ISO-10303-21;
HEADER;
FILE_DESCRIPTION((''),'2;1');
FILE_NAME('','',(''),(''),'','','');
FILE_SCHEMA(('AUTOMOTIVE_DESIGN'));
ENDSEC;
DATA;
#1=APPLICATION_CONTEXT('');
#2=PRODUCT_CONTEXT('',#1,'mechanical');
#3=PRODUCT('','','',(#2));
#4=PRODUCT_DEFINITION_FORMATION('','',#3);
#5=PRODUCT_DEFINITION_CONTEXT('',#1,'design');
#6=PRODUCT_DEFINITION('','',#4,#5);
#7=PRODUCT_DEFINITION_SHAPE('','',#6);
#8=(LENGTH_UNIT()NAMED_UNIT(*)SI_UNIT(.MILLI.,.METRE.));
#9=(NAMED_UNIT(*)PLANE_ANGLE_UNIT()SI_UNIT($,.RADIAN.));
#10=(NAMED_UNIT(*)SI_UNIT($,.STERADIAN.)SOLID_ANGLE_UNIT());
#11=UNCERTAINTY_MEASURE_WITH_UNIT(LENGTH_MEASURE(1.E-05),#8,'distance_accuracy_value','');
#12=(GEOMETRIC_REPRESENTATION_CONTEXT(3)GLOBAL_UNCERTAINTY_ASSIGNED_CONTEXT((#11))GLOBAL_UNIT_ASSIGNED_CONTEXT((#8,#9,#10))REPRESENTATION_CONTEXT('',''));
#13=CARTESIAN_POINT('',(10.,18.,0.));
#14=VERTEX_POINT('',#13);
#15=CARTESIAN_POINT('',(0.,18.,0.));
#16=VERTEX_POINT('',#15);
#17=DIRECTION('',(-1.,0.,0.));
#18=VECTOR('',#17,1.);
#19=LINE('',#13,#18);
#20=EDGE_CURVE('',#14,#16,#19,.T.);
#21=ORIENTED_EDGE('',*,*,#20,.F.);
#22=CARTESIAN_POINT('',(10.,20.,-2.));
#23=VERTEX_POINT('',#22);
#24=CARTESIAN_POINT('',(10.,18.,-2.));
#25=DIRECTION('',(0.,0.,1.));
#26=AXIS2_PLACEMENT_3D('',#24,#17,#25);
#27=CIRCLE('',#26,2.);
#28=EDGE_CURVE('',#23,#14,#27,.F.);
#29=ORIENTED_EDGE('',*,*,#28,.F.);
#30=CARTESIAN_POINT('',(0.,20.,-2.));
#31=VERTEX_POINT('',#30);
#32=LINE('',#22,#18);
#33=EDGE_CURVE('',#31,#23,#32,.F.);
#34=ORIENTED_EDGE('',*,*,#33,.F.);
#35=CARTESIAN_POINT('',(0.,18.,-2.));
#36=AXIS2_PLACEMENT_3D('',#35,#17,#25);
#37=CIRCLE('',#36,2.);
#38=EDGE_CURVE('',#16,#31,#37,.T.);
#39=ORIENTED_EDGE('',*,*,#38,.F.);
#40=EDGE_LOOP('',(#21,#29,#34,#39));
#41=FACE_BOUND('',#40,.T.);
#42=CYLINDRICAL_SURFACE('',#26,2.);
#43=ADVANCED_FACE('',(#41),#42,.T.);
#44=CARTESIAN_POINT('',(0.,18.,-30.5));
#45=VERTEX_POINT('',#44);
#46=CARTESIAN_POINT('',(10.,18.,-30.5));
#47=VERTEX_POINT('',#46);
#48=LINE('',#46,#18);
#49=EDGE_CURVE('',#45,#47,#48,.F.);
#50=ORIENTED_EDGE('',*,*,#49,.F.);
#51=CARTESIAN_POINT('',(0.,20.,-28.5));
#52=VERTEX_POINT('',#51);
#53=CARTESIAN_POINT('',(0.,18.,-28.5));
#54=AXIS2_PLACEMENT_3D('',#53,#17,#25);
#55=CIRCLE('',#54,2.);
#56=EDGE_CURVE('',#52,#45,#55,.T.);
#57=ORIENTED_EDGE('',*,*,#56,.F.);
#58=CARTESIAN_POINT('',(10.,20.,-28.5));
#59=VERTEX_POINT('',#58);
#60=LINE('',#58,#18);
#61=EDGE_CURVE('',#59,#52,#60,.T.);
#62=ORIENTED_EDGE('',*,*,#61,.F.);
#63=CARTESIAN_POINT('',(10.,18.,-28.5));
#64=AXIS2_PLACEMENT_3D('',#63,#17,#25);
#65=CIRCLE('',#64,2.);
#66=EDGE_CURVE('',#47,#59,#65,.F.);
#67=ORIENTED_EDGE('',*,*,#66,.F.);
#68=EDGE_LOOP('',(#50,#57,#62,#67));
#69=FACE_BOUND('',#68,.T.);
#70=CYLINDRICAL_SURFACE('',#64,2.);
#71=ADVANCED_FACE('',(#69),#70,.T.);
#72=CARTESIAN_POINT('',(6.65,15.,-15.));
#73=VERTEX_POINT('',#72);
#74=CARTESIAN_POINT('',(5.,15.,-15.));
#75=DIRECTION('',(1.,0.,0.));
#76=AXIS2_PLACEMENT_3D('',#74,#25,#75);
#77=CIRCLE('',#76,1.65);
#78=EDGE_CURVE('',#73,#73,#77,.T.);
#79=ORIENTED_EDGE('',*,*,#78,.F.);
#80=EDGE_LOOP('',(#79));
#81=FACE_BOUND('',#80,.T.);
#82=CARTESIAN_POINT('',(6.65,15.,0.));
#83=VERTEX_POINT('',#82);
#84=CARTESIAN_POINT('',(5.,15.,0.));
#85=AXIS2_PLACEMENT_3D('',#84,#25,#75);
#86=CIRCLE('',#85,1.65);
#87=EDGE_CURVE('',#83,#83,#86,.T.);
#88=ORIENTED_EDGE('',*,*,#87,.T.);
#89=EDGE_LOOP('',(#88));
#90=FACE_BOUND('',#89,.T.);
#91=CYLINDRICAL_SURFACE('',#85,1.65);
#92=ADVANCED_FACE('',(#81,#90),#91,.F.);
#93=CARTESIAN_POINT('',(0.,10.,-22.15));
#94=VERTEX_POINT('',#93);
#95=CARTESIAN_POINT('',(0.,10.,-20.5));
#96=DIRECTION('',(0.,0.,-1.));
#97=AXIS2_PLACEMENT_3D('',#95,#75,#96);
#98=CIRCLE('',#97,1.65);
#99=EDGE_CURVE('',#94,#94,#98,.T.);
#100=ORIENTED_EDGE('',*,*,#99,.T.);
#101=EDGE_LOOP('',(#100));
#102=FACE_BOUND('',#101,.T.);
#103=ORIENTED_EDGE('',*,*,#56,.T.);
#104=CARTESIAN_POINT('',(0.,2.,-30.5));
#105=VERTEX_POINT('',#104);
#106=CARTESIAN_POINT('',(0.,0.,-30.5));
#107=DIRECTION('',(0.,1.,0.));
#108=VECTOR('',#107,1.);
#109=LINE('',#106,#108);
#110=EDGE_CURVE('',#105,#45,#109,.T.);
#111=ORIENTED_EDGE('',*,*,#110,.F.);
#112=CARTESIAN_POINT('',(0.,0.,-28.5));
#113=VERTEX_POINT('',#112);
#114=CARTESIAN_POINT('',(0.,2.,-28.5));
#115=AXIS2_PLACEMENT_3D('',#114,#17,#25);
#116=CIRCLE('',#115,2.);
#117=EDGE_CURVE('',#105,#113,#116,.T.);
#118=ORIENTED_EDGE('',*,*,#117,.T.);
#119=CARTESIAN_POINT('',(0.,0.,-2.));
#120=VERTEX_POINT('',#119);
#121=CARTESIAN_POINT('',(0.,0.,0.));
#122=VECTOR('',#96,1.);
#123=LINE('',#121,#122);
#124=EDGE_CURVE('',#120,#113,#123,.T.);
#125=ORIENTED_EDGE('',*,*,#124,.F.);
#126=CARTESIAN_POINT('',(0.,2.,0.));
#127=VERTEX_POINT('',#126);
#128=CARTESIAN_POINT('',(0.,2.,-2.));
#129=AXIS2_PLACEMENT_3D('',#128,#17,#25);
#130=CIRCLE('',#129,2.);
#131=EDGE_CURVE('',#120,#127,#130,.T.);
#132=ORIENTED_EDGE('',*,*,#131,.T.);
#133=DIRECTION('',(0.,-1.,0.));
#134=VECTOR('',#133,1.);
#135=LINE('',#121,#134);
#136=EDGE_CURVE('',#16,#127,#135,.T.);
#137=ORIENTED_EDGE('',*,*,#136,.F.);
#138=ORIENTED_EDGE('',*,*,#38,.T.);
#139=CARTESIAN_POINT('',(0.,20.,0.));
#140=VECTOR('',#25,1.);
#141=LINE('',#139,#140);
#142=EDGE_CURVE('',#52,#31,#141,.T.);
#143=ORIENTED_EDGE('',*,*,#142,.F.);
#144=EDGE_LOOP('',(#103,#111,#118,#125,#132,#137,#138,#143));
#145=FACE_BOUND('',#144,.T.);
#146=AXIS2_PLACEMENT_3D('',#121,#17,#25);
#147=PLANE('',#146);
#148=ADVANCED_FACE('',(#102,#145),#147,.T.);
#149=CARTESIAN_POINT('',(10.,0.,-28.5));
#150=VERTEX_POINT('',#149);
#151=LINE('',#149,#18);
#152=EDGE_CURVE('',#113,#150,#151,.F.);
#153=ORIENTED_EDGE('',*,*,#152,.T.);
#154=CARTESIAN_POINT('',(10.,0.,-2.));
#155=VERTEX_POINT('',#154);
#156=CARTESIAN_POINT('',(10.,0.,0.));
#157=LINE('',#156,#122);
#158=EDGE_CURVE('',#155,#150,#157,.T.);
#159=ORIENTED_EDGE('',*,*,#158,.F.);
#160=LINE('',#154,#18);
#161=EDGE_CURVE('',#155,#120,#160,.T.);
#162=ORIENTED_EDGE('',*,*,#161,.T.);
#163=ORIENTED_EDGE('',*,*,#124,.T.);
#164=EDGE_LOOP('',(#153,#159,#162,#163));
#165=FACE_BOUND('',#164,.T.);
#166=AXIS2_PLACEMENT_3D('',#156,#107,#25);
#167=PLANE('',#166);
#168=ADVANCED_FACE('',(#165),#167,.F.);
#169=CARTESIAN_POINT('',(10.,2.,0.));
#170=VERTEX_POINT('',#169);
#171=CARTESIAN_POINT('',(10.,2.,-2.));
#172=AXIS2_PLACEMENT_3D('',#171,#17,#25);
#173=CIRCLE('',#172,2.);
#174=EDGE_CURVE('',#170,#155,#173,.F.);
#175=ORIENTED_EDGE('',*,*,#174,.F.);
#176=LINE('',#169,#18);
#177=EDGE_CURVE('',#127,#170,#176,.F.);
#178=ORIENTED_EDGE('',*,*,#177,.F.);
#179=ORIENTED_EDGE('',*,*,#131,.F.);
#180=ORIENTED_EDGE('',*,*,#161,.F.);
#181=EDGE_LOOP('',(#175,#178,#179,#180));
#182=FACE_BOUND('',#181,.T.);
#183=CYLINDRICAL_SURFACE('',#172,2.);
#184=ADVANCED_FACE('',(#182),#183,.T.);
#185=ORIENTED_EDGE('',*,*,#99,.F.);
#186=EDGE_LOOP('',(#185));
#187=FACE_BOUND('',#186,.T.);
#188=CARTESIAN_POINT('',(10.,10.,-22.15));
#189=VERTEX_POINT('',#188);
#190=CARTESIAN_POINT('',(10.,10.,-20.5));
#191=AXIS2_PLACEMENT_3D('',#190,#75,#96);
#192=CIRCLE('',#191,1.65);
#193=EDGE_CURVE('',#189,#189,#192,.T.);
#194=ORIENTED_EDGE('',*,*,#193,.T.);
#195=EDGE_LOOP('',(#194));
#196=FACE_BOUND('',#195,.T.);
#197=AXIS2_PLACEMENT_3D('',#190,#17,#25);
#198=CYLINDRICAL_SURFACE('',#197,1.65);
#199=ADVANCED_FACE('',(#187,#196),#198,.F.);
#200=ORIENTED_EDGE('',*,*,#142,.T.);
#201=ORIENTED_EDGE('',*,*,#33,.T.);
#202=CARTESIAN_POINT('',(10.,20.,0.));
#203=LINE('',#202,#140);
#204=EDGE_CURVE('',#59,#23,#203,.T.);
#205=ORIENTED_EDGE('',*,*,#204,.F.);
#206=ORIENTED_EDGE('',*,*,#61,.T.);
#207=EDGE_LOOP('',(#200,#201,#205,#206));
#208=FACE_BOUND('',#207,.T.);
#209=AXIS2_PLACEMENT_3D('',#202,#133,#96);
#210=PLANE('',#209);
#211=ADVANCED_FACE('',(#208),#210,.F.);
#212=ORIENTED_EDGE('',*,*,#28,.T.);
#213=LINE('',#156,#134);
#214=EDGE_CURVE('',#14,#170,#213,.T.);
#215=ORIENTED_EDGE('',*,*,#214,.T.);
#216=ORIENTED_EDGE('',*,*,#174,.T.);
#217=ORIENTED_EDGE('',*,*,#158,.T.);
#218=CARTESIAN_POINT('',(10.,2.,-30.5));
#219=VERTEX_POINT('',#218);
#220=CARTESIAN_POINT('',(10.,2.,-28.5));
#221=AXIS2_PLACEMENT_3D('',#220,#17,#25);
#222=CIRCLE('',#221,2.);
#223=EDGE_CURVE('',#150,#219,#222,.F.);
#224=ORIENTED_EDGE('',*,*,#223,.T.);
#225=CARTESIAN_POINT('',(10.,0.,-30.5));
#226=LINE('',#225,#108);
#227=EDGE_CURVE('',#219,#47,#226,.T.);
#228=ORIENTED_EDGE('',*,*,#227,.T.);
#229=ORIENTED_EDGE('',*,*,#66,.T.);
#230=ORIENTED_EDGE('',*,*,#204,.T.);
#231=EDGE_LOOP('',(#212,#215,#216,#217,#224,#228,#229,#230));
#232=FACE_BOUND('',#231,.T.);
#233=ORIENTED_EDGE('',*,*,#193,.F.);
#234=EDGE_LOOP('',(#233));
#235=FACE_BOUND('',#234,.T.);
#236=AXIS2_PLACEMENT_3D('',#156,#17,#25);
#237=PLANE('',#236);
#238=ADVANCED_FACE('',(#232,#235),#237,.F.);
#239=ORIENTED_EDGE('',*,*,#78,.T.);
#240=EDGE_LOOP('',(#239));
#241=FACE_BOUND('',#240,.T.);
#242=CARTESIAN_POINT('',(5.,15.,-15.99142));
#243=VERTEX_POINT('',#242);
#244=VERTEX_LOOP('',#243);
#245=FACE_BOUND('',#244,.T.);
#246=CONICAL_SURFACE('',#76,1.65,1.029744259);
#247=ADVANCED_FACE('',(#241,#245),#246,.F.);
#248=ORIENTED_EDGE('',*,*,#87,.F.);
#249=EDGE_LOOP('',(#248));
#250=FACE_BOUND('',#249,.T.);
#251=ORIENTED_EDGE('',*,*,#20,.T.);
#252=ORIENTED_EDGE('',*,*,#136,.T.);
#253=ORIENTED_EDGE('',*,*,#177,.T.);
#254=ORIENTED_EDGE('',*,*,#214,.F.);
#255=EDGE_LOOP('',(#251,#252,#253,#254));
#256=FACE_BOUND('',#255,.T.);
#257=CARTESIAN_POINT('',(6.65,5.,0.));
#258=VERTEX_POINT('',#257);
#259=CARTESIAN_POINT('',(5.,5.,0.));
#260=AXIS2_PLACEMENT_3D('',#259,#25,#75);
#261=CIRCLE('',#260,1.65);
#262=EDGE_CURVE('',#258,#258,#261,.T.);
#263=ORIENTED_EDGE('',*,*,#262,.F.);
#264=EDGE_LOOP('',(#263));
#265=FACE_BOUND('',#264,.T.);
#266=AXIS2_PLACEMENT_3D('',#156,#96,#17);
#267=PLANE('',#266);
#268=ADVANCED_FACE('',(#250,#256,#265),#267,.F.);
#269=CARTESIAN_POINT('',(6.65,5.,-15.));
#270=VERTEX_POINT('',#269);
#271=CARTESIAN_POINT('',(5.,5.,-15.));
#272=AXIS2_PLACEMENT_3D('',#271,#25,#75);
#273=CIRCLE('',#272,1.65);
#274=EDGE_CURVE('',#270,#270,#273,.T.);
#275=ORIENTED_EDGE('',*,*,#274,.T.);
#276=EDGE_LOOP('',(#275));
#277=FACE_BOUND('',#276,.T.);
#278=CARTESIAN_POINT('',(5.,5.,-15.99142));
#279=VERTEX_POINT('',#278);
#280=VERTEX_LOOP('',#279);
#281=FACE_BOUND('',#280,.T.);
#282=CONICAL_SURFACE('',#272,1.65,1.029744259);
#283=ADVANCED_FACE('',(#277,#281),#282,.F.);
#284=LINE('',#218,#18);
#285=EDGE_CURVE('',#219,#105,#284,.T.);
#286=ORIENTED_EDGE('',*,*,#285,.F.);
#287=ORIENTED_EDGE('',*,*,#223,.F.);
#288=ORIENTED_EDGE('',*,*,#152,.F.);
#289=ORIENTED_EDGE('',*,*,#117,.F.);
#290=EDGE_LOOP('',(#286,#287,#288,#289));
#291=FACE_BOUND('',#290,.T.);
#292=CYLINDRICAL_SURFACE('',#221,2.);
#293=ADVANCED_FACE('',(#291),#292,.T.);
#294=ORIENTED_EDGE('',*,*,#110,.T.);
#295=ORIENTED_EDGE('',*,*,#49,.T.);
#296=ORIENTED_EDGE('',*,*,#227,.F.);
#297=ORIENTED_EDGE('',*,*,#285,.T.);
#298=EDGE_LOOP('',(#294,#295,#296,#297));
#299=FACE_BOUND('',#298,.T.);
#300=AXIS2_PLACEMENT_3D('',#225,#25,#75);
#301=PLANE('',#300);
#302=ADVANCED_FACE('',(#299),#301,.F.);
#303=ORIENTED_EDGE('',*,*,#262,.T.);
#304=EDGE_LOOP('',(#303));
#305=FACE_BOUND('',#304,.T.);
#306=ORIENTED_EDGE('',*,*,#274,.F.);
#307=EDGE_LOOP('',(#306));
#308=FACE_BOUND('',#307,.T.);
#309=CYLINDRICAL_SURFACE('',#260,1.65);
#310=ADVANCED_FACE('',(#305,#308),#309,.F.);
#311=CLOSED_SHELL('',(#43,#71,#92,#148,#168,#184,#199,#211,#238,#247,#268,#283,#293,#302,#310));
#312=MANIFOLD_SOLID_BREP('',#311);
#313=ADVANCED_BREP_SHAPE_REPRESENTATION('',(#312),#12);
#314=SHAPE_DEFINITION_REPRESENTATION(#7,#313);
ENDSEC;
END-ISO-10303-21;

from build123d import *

# Parameters (mm, degrees)
SKETCH_1_W      = 30.5
SKETCH_1_H      = 20
SKETCH_1_R      = 1.65
EXTRUDE_1_DEPTH = 10
M4X0_7_1_D      = 3.3
M4X0_7_1_DEPTH  = 15
M4X0_7_1_TIP    = 0.991420021
FILLET_1_R      = 2


with BuildPart() as part:
    # ｽｹｯﾁ1 → ﾎﾞｽ - 押し出し1 (new body)
    with BuildSketch(Plane(origin=(0, 0, 0), x_dir=(0, 0, -1), z_dir=(1, 0, 0))):
        with Locations((15.25, 10)):
            Rectangle(SKETCH_1_W, SKETCH_1_H)
        with Locations((20.5, 10)):
            Circle(SKETCH_1_R, mode=Mode.SUBTRACT)
    extrude(amount=EXTRUDE_1_DEPTH)

    # M4x0.7 ねじ穴1
    with Locations(Plane.XY):
        with Locations((5, 5), (5, 15)):
            Hole(M4X0_7_1_D / 2, depth=M4X0_7_1_DEPTH)
            with Locations((0, 0, -(M4X0_7_1_DEPTH + M4X0_7_1_TIP / 2))):  # 118° drill point
                Cone(0, M4X0_7_1_D / 2, M4X0_7_1_TIP, mode=Mode.SUBTRACT)

    # ﾌｨﾚｯﾄ1
    fillet_1_edges = [part.edges().sort_by_distance(p)[0] for p in [
        (5, 20, 0),
        (5, 20, -30.5),
        (5, 0, -30.5),
        (5, 0, 0),
    ]]
    fillet(fillet_1_edges, radius=FILLET_1_R)


solid = part.part
